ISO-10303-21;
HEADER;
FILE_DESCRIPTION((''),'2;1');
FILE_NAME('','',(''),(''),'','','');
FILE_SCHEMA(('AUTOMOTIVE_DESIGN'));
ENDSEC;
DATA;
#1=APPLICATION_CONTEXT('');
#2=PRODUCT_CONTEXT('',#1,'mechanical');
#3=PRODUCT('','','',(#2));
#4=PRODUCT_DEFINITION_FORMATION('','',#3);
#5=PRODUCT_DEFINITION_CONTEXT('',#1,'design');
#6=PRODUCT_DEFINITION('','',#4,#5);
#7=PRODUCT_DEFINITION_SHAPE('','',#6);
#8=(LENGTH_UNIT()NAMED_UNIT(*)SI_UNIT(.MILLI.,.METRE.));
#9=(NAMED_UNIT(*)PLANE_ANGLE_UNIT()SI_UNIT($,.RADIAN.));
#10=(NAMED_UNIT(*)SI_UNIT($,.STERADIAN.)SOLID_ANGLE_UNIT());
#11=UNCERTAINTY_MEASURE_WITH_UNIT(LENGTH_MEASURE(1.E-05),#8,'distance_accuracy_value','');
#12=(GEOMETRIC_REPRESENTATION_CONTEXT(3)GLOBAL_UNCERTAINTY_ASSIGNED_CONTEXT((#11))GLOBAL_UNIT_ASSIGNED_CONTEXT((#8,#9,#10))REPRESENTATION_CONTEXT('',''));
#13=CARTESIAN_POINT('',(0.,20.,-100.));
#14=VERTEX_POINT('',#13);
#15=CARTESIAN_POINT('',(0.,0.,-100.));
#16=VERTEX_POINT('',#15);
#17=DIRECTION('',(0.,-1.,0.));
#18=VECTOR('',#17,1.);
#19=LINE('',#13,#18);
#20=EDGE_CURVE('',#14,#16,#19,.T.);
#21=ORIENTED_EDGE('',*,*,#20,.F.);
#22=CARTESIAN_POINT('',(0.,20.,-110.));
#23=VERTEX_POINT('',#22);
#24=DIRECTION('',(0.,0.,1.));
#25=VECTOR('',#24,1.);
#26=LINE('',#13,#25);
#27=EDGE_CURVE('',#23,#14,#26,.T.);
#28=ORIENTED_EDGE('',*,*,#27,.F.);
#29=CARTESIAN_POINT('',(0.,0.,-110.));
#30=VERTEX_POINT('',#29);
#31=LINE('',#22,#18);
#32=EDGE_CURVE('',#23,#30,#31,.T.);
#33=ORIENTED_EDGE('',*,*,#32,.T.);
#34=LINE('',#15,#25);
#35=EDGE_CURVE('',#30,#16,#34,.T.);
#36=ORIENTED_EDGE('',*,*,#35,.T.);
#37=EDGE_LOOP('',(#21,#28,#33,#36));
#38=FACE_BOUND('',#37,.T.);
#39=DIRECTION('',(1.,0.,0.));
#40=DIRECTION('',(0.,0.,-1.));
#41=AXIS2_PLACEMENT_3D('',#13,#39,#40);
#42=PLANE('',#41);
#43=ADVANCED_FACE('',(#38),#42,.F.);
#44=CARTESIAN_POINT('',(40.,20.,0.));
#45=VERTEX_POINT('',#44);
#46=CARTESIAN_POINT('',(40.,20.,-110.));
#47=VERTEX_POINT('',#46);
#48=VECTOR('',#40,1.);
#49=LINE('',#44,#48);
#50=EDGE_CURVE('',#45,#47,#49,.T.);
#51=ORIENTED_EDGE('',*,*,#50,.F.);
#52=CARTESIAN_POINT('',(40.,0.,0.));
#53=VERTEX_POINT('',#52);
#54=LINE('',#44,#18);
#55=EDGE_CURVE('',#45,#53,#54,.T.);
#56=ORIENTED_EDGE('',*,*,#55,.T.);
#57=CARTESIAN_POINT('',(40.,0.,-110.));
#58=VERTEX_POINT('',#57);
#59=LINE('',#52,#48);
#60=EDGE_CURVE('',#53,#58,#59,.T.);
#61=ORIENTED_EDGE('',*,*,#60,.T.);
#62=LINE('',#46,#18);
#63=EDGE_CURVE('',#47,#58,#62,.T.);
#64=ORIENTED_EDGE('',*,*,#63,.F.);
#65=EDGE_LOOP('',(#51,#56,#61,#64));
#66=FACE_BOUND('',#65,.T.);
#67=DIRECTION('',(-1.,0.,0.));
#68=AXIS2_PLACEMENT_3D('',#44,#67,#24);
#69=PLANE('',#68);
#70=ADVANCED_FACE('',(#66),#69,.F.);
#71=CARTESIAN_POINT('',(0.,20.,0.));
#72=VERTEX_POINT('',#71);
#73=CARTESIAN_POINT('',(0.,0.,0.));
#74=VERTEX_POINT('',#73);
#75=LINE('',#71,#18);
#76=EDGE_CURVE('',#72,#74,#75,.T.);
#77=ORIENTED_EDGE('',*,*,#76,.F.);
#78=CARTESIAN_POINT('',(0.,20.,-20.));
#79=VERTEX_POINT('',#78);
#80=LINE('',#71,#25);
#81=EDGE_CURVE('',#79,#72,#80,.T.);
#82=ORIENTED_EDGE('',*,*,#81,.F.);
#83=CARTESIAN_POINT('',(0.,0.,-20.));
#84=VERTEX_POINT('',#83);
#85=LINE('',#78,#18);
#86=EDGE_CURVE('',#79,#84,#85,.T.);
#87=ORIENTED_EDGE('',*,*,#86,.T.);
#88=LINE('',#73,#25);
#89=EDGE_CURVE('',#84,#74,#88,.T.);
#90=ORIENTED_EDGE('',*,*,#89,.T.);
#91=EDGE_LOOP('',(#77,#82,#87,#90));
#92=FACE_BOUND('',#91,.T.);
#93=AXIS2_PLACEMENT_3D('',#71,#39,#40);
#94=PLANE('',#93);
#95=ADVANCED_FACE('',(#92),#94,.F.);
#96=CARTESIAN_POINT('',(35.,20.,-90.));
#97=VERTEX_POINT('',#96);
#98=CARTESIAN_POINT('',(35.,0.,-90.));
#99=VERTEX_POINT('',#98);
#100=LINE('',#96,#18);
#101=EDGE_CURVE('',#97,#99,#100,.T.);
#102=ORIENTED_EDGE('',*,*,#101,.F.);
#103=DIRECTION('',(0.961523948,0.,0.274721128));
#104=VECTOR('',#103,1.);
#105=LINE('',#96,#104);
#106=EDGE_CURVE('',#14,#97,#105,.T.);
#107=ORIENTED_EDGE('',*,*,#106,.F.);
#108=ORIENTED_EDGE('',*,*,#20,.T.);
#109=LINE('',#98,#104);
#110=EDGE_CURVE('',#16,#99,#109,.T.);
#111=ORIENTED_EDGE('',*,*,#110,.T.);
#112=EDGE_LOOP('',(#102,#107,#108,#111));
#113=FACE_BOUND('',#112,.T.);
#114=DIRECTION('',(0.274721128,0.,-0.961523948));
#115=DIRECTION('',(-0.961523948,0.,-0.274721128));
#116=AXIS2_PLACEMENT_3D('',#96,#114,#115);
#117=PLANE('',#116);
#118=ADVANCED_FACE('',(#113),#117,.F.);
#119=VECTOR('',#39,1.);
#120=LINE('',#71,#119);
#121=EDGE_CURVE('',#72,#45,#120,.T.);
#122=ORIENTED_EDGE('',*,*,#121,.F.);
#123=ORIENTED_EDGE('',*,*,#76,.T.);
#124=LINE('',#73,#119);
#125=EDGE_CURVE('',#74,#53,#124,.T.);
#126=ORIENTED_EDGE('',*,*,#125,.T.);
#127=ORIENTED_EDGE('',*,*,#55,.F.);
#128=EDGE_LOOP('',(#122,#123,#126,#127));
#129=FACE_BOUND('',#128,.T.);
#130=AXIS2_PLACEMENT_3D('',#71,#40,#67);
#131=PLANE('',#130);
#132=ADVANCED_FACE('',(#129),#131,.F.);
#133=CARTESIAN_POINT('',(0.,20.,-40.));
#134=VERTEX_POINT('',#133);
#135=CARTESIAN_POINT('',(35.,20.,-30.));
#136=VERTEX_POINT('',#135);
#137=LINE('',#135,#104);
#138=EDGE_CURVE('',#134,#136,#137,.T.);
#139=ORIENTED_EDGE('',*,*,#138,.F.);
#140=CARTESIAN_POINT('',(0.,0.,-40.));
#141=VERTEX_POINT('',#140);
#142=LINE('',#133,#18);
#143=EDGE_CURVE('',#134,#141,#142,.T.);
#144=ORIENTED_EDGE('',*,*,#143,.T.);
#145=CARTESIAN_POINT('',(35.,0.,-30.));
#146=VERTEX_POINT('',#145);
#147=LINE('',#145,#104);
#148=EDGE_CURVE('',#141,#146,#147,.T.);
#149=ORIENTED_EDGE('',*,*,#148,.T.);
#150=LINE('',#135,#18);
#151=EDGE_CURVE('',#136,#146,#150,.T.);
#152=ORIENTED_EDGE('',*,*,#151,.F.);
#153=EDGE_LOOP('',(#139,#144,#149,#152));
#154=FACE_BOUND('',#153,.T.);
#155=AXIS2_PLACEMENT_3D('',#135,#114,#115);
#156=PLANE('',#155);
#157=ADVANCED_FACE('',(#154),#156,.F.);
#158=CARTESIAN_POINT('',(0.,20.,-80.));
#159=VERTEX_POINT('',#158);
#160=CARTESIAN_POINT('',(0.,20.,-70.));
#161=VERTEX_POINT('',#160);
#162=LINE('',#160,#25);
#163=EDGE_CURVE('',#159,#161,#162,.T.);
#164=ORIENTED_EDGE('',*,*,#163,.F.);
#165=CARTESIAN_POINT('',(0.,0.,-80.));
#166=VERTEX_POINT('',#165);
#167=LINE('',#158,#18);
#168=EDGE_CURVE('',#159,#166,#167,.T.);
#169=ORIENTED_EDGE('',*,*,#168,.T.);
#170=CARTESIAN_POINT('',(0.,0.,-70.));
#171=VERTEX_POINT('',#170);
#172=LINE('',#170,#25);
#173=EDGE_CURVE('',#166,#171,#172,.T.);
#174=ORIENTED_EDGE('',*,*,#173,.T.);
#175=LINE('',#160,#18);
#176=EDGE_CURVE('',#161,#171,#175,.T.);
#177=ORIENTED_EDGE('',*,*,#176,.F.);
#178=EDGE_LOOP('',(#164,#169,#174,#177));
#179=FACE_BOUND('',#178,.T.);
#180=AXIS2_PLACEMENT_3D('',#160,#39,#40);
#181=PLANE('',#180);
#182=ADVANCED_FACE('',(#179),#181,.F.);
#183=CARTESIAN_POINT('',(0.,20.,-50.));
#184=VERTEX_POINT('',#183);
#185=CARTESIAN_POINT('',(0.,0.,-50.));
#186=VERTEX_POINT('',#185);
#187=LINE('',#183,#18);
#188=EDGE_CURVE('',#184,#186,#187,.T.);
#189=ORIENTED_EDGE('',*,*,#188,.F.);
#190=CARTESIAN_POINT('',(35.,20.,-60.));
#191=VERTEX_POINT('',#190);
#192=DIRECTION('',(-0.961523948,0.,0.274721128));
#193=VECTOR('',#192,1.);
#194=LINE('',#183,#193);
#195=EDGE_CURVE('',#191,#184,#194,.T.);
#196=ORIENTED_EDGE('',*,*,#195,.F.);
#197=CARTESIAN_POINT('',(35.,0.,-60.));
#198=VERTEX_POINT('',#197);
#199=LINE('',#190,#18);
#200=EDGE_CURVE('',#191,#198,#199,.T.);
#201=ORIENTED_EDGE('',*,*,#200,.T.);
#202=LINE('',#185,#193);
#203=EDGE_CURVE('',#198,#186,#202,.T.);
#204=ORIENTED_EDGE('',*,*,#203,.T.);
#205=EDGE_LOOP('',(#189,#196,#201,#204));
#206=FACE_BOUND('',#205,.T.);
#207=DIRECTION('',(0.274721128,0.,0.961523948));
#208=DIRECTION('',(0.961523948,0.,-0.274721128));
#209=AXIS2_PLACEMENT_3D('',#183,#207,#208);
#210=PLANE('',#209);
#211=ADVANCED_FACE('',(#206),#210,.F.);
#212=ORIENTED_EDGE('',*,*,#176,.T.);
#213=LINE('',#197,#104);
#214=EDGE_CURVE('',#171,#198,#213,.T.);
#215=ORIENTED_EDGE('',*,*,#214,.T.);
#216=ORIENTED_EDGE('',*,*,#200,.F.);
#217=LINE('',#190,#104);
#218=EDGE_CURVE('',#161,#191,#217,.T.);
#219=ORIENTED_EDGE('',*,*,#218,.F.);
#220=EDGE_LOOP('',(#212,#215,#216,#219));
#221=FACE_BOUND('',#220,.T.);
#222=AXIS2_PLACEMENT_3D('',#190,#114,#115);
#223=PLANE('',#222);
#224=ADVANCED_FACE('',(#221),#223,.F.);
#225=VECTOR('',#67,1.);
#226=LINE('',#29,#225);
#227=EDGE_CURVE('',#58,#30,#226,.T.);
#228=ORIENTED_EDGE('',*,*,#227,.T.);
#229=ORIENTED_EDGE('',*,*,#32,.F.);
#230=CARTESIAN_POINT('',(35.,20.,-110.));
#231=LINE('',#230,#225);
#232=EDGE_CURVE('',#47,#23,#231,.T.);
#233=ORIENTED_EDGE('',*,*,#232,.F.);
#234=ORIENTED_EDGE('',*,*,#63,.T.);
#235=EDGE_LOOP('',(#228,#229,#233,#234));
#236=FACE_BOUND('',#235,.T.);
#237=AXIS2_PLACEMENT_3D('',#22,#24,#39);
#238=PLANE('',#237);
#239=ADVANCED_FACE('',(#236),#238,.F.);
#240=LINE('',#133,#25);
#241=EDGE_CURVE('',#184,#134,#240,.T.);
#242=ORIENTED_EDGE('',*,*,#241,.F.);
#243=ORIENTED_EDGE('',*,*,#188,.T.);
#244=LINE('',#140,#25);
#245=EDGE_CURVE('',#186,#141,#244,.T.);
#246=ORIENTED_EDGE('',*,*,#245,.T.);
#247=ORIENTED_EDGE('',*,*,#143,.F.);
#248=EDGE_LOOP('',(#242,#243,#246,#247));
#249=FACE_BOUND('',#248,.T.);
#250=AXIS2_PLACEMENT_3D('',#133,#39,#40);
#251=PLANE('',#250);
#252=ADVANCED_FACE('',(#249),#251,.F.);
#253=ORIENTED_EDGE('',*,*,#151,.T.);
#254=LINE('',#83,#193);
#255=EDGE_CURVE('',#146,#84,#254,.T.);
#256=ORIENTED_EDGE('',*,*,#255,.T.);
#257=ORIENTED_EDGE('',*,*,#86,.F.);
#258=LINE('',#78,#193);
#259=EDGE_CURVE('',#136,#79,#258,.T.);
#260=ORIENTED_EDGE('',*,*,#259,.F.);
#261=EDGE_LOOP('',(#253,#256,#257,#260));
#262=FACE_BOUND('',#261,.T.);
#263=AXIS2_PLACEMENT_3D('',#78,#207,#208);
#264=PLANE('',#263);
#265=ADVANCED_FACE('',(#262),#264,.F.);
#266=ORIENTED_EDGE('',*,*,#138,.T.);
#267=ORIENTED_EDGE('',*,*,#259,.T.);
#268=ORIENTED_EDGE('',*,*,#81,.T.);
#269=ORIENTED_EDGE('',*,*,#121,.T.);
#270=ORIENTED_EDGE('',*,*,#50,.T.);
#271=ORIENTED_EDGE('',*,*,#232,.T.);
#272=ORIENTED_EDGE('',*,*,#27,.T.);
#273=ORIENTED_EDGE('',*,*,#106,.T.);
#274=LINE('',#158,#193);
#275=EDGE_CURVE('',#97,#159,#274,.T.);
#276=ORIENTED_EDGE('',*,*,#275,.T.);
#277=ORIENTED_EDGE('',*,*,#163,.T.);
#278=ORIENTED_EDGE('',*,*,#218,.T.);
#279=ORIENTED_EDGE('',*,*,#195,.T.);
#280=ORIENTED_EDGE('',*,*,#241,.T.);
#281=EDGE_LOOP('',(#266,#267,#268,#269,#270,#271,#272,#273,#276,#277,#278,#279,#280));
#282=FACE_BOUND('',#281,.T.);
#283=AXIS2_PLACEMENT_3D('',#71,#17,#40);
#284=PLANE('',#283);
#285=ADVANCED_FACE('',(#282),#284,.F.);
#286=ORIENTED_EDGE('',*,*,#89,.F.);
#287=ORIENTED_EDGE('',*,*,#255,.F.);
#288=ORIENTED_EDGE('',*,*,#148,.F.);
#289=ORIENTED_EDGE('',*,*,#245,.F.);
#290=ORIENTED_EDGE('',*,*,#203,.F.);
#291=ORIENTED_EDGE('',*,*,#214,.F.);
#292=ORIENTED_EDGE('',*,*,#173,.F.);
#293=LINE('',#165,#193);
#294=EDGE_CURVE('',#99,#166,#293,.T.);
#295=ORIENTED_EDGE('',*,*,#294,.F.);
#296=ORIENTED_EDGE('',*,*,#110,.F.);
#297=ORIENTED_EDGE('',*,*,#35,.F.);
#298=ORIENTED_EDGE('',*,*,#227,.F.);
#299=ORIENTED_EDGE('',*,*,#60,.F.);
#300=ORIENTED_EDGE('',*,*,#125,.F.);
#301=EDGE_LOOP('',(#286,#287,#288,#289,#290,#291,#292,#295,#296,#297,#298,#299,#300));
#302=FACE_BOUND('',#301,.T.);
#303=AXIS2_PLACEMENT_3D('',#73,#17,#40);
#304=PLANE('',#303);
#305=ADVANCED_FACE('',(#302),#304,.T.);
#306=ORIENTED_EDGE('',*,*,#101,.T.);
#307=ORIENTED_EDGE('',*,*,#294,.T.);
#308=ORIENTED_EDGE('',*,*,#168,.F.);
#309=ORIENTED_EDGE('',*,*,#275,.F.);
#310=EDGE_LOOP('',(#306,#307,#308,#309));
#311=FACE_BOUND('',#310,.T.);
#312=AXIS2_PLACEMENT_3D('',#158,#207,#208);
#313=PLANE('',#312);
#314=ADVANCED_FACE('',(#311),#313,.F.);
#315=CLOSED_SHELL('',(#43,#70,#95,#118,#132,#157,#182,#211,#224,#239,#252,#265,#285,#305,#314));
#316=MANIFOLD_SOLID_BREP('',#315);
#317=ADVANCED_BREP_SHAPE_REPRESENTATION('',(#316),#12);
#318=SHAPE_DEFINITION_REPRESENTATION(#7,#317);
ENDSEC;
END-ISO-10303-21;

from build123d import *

# Parameters (mm, degrees)
BOSS_EXTRUDE1_DEPTH = 20


with BuildPart() as part:
    # Sketch1 → Boss-Extrude1 (new body)
    with BuildSketch(Plane(origin=(0, 0, 0), x_dir=(1, 0, 0), z_dir=(0, 1, 0))):
        Polygon((0, 100), (0, 110), (35, 110), (40, 110), (40, 0), (0, 0), (0, 20), (35, 30), (0, 40), (0, 50), (35, 60), (0, 70), (0, 80), (35, 90), align=None)
    extrude(amount=BOSS_EXTRUDE1_DEPTH)


solid = part.part
